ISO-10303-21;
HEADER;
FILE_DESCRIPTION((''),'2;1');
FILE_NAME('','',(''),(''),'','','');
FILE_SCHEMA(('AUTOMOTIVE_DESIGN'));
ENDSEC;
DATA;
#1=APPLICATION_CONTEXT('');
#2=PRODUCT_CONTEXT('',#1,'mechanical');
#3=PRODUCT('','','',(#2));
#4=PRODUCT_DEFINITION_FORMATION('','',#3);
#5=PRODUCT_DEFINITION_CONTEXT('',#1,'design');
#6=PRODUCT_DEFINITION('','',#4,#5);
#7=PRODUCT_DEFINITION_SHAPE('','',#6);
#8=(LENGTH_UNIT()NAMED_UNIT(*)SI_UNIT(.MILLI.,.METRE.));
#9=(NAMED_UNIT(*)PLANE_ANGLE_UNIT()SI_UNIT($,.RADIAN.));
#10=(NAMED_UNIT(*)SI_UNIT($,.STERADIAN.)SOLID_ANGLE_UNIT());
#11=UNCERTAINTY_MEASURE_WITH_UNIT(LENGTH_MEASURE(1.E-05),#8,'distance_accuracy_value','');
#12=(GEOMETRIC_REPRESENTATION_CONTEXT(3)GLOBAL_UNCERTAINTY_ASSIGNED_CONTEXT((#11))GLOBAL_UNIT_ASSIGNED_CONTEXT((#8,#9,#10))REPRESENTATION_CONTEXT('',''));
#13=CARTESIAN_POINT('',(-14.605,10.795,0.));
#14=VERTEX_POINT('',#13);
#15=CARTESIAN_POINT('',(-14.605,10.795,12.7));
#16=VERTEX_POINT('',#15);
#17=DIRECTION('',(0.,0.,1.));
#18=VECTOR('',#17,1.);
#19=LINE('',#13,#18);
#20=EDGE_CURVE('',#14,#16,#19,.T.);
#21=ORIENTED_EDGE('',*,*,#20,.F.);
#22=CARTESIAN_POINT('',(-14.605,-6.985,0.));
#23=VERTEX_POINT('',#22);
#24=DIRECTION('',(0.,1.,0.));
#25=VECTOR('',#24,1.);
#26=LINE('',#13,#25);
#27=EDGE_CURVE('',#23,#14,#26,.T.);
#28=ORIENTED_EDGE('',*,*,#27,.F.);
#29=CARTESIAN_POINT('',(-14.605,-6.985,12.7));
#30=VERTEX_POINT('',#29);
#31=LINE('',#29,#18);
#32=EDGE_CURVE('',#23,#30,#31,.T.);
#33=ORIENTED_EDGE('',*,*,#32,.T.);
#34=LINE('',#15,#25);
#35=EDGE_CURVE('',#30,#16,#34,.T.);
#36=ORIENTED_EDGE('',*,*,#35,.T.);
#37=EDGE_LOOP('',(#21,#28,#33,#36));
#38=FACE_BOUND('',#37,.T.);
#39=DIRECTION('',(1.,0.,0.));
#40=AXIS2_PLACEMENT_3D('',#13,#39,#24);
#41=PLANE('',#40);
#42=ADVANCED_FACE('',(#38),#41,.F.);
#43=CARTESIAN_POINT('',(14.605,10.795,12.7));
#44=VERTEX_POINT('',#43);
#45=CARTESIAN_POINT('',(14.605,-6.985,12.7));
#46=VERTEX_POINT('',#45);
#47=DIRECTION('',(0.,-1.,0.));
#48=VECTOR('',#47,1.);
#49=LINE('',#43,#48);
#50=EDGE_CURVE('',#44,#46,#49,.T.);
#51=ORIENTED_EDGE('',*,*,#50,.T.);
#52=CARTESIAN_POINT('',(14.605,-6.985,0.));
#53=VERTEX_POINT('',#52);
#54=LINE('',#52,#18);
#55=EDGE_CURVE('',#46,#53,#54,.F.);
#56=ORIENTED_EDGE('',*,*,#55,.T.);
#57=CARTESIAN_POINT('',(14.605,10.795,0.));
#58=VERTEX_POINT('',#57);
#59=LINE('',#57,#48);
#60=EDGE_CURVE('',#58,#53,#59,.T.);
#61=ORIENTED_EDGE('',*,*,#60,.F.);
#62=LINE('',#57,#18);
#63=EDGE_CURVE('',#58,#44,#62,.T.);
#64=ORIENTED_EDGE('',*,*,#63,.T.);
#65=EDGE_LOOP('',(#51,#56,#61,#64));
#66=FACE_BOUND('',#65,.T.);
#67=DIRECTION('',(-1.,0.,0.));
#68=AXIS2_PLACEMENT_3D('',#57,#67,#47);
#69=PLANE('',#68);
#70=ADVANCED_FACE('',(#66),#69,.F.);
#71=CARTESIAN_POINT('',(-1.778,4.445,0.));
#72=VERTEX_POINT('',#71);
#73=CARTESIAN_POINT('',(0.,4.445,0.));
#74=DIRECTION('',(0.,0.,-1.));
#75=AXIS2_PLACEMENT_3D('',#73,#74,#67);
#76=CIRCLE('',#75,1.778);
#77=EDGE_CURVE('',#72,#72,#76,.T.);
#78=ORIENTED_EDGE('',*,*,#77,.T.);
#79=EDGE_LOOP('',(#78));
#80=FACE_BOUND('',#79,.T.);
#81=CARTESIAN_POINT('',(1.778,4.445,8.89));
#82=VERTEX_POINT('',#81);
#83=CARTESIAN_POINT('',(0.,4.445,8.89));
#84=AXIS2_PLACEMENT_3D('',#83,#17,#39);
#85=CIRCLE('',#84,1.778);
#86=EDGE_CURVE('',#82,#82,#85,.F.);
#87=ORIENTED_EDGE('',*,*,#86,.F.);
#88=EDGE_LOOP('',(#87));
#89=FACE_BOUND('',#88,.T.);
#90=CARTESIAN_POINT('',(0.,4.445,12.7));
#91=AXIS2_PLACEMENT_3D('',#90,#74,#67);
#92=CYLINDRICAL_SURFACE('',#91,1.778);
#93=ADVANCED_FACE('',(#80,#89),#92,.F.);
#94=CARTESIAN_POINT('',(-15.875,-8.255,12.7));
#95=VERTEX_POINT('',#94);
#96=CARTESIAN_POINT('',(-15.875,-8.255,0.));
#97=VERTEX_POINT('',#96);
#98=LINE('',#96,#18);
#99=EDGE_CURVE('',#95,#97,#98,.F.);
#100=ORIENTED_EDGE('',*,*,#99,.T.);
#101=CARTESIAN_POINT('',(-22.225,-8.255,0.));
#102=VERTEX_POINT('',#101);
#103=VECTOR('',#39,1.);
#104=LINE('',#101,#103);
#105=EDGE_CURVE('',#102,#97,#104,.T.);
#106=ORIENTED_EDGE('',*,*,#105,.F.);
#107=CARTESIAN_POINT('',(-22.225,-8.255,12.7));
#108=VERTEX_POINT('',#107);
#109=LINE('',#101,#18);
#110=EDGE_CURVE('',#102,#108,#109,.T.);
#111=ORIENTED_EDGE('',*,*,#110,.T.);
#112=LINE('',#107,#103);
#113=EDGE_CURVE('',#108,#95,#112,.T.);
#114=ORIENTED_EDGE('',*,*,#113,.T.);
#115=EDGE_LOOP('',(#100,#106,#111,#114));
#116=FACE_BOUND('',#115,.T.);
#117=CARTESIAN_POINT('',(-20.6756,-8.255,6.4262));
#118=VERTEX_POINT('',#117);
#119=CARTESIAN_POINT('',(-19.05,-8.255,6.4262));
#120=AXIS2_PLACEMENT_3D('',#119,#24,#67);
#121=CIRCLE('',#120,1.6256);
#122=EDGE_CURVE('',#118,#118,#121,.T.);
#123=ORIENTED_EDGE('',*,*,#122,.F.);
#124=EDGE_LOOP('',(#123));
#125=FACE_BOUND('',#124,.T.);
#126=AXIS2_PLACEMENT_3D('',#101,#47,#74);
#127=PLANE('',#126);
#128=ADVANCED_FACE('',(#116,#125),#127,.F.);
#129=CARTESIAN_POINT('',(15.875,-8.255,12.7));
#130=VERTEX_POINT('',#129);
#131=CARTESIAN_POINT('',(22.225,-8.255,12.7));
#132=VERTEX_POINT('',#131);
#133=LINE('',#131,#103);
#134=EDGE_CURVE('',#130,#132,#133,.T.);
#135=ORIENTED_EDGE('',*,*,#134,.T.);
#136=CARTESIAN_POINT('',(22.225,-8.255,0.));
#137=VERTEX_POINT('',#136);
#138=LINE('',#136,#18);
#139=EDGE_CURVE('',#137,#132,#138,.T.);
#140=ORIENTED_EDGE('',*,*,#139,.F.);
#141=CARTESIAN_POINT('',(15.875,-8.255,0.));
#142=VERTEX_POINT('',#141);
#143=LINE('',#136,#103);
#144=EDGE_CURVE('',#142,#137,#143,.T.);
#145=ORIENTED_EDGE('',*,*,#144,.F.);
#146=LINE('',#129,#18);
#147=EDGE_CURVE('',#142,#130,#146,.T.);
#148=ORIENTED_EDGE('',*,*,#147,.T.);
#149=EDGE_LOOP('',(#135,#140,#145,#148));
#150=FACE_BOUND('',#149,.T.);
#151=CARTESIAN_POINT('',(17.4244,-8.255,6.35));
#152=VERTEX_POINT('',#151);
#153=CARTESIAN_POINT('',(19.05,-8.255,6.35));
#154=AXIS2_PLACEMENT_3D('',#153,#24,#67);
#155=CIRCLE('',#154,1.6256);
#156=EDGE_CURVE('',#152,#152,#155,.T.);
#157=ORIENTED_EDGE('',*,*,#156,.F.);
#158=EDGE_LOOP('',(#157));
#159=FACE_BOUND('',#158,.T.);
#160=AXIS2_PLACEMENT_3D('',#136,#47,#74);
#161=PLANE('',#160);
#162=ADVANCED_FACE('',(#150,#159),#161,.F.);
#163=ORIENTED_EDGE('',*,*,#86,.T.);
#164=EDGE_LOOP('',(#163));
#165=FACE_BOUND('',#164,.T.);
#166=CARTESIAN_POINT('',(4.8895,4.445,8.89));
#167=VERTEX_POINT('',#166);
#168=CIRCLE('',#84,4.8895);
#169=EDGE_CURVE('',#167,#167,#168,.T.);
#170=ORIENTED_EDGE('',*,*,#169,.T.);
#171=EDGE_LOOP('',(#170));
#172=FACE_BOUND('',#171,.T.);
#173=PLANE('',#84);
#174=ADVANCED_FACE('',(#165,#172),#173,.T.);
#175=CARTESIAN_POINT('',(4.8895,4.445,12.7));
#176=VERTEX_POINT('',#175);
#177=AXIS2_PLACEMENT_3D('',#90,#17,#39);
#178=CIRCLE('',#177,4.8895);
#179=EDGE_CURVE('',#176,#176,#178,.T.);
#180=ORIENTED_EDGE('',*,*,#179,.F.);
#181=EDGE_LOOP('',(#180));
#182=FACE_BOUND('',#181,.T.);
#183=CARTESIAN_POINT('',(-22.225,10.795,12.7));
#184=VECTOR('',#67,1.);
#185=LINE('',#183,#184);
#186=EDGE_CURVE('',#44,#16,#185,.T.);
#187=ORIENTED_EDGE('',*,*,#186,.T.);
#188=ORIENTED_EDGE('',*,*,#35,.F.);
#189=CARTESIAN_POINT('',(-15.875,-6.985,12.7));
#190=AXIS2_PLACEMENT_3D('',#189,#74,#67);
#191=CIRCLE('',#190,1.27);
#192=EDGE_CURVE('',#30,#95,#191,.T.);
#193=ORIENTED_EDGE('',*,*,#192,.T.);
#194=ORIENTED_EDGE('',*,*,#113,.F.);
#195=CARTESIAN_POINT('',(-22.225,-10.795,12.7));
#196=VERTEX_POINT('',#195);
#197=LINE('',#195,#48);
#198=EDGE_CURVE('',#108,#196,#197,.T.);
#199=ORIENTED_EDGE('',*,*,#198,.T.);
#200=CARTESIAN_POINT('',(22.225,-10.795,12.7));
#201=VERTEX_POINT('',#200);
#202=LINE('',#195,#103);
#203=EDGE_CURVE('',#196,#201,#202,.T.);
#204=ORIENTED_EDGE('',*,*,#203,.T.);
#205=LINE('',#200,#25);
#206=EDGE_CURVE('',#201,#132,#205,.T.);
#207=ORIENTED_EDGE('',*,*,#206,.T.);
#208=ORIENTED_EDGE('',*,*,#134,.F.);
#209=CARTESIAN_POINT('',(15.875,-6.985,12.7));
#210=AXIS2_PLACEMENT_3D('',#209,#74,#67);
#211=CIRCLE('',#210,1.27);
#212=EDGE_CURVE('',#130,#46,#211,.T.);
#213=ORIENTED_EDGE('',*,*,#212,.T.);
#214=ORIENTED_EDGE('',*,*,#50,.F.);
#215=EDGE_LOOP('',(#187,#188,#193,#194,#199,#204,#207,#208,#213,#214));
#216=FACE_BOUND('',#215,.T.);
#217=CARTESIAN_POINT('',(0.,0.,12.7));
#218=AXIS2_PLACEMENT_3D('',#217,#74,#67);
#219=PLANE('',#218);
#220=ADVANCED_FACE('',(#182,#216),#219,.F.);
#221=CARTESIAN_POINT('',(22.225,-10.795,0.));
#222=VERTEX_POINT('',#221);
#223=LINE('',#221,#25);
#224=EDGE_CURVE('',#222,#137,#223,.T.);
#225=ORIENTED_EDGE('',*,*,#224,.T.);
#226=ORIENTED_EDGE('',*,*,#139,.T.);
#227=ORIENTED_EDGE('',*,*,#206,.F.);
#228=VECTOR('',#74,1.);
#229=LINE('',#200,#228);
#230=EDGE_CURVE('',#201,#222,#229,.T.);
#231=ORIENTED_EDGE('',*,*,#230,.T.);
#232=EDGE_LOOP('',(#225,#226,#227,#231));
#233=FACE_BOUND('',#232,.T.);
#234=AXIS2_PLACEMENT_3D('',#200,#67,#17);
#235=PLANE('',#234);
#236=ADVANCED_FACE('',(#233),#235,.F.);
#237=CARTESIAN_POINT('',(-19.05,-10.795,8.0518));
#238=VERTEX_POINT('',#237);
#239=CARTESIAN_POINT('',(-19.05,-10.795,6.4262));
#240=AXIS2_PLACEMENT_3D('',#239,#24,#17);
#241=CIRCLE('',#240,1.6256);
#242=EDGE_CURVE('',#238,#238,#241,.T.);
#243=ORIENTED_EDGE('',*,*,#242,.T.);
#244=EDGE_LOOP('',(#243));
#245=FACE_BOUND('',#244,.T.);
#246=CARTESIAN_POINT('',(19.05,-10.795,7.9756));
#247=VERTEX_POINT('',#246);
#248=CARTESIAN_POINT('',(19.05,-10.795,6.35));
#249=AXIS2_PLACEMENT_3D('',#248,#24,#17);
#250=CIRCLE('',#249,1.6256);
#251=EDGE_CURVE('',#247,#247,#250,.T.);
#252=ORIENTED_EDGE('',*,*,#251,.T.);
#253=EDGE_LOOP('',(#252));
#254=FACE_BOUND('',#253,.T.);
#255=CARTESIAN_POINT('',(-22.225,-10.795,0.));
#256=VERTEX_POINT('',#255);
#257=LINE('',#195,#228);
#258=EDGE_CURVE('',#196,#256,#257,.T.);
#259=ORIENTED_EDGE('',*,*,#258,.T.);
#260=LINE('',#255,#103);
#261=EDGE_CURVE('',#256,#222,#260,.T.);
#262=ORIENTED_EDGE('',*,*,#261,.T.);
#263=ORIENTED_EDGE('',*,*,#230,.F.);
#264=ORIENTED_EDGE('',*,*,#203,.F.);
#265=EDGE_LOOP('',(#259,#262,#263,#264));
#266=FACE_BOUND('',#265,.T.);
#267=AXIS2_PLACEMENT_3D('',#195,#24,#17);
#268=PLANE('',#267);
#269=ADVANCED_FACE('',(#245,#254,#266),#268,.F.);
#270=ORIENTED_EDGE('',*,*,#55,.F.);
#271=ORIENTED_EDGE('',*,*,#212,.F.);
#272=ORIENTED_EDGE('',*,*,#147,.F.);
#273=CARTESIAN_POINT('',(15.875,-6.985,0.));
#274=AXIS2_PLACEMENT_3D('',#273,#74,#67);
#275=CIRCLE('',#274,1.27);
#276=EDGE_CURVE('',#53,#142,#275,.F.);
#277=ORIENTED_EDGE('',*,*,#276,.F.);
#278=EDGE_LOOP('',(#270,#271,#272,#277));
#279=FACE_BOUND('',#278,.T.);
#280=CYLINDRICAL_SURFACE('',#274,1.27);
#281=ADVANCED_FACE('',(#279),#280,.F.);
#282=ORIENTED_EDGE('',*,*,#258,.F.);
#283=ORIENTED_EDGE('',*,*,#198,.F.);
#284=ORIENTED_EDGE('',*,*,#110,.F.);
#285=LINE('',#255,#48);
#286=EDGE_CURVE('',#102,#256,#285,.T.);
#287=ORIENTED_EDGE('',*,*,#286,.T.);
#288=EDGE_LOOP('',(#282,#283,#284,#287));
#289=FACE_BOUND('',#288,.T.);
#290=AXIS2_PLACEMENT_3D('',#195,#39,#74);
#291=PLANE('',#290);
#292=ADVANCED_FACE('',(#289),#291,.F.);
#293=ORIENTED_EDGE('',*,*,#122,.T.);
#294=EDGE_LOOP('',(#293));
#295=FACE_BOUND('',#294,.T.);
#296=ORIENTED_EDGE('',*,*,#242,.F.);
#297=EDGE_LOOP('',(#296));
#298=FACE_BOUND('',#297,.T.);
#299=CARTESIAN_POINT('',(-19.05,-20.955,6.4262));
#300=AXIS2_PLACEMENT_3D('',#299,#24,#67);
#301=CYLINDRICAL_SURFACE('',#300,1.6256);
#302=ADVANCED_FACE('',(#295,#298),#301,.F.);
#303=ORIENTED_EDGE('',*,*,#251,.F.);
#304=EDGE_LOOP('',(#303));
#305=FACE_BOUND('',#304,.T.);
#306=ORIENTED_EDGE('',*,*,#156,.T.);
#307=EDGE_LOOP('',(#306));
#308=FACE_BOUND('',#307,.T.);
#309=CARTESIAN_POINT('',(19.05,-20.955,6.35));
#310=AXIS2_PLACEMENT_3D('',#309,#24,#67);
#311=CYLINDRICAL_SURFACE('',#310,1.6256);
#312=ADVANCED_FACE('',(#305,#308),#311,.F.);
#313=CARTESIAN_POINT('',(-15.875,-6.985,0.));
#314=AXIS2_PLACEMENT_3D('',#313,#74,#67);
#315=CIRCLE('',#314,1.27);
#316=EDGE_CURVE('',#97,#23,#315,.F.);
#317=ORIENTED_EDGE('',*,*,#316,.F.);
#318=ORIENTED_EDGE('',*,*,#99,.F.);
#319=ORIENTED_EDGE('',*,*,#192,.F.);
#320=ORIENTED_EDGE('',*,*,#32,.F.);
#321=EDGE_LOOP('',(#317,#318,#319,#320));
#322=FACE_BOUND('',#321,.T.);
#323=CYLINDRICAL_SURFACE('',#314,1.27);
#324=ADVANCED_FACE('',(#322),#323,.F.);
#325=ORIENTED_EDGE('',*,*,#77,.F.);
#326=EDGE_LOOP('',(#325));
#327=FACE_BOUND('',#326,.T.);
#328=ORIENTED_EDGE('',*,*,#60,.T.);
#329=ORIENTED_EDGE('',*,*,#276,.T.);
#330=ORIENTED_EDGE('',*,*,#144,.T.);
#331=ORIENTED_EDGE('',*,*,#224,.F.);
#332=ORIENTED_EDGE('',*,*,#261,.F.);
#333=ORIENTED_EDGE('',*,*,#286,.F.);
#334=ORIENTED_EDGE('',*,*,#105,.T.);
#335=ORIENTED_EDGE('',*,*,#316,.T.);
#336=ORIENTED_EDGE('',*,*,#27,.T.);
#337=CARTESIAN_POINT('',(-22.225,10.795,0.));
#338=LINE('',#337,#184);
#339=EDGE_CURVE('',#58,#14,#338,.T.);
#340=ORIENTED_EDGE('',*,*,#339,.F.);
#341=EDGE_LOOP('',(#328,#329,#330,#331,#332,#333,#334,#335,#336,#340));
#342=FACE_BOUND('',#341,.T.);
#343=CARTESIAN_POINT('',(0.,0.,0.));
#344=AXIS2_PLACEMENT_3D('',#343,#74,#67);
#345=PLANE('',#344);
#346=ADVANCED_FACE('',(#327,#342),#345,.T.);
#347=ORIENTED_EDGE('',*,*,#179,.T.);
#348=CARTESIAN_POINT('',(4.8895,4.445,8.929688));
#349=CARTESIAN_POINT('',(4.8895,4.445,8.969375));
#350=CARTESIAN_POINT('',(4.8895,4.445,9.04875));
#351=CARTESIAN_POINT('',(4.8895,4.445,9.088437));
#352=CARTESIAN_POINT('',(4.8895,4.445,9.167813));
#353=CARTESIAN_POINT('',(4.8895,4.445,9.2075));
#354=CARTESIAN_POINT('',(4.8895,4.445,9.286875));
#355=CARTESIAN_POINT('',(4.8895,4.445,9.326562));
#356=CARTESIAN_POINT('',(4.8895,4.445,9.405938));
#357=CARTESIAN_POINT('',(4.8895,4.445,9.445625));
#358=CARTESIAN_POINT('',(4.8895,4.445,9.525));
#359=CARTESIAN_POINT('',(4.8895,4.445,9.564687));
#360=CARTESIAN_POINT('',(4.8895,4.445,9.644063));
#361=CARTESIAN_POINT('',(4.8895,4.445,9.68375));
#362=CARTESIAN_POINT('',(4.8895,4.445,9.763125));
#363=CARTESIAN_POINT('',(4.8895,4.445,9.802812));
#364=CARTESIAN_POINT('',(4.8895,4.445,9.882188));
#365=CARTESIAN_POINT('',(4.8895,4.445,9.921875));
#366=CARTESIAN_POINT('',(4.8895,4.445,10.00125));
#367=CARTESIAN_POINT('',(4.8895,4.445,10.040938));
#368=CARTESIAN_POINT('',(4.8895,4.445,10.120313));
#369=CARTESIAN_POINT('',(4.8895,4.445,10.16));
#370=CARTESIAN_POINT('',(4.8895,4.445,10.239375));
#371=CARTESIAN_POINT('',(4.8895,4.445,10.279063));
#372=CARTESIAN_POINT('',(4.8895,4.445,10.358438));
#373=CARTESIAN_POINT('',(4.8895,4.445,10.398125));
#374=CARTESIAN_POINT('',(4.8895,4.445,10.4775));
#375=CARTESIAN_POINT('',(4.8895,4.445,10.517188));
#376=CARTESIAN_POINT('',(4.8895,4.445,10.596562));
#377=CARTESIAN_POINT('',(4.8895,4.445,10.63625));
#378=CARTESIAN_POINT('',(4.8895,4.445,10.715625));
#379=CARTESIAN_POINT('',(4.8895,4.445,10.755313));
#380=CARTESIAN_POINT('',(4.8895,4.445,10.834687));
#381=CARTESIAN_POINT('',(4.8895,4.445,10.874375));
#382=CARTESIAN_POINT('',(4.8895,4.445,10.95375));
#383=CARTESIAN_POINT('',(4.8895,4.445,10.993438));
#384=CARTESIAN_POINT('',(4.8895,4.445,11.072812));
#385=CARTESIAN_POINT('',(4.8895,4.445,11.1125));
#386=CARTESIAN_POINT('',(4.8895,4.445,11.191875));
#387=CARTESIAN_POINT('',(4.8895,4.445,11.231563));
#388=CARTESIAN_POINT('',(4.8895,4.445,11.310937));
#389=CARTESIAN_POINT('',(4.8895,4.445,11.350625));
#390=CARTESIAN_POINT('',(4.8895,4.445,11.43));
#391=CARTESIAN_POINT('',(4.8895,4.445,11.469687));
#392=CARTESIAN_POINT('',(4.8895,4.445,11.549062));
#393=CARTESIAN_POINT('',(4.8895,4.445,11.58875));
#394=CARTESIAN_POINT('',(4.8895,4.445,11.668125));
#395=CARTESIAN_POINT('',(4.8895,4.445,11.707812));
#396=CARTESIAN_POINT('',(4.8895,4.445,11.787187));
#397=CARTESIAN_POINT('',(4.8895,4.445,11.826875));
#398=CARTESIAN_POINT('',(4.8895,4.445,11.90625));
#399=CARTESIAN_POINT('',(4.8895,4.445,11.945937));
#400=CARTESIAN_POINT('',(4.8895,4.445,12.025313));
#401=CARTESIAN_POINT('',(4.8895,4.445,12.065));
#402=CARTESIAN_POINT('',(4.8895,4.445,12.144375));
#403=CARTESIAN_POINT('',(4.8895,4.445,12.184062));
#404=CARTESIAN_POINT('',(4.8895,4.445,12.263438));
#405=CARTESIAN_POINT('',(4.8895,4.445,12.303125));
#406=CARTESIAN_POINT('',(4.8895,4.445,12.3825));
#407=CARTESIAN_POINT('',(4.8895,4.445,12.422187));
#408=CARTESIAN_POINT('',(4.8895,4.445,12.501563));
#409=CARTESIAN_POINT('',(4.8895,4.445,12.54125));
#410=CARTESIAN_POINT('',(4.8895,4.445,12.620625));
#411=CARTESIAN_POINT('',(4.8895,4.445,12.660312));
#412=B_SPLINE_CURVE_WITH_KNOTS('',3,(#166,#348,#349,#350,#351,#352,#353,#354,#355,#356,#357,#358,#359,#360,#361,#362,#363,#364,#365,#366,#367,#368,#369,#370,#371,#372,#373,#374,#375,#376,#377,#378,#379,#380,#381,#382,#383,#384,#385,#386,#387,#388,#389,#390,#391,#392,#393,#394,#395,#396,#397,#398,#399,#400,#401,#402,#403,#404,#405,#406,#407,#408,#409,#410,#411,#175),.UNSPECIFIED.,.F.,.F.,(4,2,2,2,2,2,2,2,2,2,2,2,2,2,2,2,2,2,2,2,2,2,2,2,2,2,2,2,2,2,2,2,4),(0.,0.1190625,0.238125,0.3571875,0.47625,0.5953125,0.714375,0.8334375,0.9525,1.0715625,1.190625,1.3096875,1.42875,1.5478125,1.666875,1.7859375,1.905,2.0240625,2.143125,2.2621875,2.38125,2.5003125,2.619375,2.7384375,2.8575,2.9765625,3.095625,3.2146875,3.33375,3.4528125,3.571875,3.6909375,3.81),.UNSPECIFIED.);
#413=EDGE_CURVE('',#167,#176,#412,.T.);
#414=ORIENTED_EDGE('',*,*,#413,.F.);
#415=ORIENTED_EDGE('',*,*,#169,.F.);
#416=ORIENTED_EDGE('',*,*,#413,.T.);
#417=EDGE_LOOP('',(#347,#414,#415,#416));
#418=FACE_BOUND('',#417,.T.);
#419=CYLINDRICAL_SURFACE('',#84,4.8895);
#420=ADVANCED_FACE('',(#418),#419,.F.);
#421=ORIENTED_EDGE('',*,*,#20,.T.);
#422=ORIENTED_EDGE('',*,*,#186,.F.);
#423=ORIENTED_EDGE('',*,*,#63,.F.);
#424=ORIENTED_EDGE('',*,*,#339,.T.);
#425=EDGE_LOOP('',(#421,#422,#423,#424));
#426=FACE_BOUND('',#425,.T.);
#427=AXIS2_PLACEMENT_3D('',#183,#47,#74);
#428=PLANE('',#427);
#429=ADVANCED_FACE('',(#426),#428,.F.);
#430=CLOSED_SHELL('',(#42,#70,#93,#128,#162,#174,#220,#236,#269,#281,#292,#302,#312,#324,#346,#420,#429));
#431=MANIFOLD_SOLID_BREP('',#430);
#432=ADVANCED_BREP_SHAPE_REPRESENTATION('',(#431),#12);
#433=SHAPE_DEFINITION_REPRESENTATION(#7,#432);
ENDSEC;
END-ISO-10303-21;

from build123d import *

# Parameters (mm, degrees)
SKETCH1_W           = 44.45
SKETCH1_H           = 21.59
BOSS_EXTRUDE1_DEPTH = 12.7
SKETCH2_W           = 7.62
SKETCH2_H           = 19.05
CUT_EXTRUDE1_DEPTH  = 12.7
FILLET1_R           = 1.27
FILLET2_R           = 1.27
SKETCH4_R           = 1.6256
CUT_EXTRUDE3_DEPTH  = 12.7
SKETCH5_R           = 1.778
CUT_EXTRUDE4_DEPTH  = 12.7
SKETCH6_R           = 4.8895
CUT_EXTRUDE5_DEPTH  = 3.81


with BuildPart() as part:
    # Sketch1 → Boss-Extrude1 (new body)
    with BuildSketch(Plane.XY):
        Rectangle(SKETCH1_W, SKETCH1_H)
    extrude(amount=BOSS_EXTRUDE1_DEPTH)

    # Sketch2 → Cut-Extrude1 (cut)
    with BuildSketch(Plane.XY.offset(12.7)):
        with Locations((-18.415, 1.27)):
            Rectangle(SKETCH2_W, SKETCH2_H)
        with Locations((18.415, 1.27)):
            Rectangle(SKETCH2_W, SKETCH2_H)
    extrude(amount=-CUT_EXTRUDE1_DEPTH, mode=Mode.SUBTRACT)

    # Fillet1
    fillet1_edges = [part.edges().sort_by_distance(p)[0] for p in [
        (-14.605, -8.255, 6.35),
    ]]
    fillet(fillet1_edges, radius=FILLET1_R)

    # Fillet2
    fillet2_edges = [part.edges().sort_by_distance(p)[0] for p in [
        (14.605, -8.255, 6.35),
    ]]
    fillet(fillet2_edges, radius=FILLET2_R)

    # Sketch4 → Cut-Extrude3 (cut)
    with BuildSketch(Plane(origin=(0, -8.255, 0), x_dir=(1, 0, 0), z_dir=(0, 1, 0))):
        with Locations(Location((19.05, -6.35, 0), (0, 0, 180))):
            Circle(SKETCH4_R)
        with Locations(Location((-19.05, -6.4262, 0), (0, 0, 180))):
            Circle(SKETCH4_R)
    extrude(amount=-CUT_EXTRUDE3_DEPTH, mode=Mode.SUBTRACT)

    # Sketch5 → Cut-Extrude4 (cut)
    with BuildSketch(Plane(origin=(0, 0, 0), x_dir=(-1, 0, 0), z_dir=(0, 0, -1))):
        with Locations((0, 4.445)):
            Circle(SKETCH5_R)
    extrude(amount=-CUT_EXTRUDE4_DEPTH, mode=Mode.SUBTRACT)

    # Sketch6 → Cut-Extrude5 (cut)
    with BuildSketch(Plane.XY.offset(12.7)):
        with Locations((0, 4.445)):
            Circle(SKETCH6_R)
    extrude(amount=-CUT_EXTRUDE5_DEPTH, mode=Mode.SUBTRACT)


solid = part.part
